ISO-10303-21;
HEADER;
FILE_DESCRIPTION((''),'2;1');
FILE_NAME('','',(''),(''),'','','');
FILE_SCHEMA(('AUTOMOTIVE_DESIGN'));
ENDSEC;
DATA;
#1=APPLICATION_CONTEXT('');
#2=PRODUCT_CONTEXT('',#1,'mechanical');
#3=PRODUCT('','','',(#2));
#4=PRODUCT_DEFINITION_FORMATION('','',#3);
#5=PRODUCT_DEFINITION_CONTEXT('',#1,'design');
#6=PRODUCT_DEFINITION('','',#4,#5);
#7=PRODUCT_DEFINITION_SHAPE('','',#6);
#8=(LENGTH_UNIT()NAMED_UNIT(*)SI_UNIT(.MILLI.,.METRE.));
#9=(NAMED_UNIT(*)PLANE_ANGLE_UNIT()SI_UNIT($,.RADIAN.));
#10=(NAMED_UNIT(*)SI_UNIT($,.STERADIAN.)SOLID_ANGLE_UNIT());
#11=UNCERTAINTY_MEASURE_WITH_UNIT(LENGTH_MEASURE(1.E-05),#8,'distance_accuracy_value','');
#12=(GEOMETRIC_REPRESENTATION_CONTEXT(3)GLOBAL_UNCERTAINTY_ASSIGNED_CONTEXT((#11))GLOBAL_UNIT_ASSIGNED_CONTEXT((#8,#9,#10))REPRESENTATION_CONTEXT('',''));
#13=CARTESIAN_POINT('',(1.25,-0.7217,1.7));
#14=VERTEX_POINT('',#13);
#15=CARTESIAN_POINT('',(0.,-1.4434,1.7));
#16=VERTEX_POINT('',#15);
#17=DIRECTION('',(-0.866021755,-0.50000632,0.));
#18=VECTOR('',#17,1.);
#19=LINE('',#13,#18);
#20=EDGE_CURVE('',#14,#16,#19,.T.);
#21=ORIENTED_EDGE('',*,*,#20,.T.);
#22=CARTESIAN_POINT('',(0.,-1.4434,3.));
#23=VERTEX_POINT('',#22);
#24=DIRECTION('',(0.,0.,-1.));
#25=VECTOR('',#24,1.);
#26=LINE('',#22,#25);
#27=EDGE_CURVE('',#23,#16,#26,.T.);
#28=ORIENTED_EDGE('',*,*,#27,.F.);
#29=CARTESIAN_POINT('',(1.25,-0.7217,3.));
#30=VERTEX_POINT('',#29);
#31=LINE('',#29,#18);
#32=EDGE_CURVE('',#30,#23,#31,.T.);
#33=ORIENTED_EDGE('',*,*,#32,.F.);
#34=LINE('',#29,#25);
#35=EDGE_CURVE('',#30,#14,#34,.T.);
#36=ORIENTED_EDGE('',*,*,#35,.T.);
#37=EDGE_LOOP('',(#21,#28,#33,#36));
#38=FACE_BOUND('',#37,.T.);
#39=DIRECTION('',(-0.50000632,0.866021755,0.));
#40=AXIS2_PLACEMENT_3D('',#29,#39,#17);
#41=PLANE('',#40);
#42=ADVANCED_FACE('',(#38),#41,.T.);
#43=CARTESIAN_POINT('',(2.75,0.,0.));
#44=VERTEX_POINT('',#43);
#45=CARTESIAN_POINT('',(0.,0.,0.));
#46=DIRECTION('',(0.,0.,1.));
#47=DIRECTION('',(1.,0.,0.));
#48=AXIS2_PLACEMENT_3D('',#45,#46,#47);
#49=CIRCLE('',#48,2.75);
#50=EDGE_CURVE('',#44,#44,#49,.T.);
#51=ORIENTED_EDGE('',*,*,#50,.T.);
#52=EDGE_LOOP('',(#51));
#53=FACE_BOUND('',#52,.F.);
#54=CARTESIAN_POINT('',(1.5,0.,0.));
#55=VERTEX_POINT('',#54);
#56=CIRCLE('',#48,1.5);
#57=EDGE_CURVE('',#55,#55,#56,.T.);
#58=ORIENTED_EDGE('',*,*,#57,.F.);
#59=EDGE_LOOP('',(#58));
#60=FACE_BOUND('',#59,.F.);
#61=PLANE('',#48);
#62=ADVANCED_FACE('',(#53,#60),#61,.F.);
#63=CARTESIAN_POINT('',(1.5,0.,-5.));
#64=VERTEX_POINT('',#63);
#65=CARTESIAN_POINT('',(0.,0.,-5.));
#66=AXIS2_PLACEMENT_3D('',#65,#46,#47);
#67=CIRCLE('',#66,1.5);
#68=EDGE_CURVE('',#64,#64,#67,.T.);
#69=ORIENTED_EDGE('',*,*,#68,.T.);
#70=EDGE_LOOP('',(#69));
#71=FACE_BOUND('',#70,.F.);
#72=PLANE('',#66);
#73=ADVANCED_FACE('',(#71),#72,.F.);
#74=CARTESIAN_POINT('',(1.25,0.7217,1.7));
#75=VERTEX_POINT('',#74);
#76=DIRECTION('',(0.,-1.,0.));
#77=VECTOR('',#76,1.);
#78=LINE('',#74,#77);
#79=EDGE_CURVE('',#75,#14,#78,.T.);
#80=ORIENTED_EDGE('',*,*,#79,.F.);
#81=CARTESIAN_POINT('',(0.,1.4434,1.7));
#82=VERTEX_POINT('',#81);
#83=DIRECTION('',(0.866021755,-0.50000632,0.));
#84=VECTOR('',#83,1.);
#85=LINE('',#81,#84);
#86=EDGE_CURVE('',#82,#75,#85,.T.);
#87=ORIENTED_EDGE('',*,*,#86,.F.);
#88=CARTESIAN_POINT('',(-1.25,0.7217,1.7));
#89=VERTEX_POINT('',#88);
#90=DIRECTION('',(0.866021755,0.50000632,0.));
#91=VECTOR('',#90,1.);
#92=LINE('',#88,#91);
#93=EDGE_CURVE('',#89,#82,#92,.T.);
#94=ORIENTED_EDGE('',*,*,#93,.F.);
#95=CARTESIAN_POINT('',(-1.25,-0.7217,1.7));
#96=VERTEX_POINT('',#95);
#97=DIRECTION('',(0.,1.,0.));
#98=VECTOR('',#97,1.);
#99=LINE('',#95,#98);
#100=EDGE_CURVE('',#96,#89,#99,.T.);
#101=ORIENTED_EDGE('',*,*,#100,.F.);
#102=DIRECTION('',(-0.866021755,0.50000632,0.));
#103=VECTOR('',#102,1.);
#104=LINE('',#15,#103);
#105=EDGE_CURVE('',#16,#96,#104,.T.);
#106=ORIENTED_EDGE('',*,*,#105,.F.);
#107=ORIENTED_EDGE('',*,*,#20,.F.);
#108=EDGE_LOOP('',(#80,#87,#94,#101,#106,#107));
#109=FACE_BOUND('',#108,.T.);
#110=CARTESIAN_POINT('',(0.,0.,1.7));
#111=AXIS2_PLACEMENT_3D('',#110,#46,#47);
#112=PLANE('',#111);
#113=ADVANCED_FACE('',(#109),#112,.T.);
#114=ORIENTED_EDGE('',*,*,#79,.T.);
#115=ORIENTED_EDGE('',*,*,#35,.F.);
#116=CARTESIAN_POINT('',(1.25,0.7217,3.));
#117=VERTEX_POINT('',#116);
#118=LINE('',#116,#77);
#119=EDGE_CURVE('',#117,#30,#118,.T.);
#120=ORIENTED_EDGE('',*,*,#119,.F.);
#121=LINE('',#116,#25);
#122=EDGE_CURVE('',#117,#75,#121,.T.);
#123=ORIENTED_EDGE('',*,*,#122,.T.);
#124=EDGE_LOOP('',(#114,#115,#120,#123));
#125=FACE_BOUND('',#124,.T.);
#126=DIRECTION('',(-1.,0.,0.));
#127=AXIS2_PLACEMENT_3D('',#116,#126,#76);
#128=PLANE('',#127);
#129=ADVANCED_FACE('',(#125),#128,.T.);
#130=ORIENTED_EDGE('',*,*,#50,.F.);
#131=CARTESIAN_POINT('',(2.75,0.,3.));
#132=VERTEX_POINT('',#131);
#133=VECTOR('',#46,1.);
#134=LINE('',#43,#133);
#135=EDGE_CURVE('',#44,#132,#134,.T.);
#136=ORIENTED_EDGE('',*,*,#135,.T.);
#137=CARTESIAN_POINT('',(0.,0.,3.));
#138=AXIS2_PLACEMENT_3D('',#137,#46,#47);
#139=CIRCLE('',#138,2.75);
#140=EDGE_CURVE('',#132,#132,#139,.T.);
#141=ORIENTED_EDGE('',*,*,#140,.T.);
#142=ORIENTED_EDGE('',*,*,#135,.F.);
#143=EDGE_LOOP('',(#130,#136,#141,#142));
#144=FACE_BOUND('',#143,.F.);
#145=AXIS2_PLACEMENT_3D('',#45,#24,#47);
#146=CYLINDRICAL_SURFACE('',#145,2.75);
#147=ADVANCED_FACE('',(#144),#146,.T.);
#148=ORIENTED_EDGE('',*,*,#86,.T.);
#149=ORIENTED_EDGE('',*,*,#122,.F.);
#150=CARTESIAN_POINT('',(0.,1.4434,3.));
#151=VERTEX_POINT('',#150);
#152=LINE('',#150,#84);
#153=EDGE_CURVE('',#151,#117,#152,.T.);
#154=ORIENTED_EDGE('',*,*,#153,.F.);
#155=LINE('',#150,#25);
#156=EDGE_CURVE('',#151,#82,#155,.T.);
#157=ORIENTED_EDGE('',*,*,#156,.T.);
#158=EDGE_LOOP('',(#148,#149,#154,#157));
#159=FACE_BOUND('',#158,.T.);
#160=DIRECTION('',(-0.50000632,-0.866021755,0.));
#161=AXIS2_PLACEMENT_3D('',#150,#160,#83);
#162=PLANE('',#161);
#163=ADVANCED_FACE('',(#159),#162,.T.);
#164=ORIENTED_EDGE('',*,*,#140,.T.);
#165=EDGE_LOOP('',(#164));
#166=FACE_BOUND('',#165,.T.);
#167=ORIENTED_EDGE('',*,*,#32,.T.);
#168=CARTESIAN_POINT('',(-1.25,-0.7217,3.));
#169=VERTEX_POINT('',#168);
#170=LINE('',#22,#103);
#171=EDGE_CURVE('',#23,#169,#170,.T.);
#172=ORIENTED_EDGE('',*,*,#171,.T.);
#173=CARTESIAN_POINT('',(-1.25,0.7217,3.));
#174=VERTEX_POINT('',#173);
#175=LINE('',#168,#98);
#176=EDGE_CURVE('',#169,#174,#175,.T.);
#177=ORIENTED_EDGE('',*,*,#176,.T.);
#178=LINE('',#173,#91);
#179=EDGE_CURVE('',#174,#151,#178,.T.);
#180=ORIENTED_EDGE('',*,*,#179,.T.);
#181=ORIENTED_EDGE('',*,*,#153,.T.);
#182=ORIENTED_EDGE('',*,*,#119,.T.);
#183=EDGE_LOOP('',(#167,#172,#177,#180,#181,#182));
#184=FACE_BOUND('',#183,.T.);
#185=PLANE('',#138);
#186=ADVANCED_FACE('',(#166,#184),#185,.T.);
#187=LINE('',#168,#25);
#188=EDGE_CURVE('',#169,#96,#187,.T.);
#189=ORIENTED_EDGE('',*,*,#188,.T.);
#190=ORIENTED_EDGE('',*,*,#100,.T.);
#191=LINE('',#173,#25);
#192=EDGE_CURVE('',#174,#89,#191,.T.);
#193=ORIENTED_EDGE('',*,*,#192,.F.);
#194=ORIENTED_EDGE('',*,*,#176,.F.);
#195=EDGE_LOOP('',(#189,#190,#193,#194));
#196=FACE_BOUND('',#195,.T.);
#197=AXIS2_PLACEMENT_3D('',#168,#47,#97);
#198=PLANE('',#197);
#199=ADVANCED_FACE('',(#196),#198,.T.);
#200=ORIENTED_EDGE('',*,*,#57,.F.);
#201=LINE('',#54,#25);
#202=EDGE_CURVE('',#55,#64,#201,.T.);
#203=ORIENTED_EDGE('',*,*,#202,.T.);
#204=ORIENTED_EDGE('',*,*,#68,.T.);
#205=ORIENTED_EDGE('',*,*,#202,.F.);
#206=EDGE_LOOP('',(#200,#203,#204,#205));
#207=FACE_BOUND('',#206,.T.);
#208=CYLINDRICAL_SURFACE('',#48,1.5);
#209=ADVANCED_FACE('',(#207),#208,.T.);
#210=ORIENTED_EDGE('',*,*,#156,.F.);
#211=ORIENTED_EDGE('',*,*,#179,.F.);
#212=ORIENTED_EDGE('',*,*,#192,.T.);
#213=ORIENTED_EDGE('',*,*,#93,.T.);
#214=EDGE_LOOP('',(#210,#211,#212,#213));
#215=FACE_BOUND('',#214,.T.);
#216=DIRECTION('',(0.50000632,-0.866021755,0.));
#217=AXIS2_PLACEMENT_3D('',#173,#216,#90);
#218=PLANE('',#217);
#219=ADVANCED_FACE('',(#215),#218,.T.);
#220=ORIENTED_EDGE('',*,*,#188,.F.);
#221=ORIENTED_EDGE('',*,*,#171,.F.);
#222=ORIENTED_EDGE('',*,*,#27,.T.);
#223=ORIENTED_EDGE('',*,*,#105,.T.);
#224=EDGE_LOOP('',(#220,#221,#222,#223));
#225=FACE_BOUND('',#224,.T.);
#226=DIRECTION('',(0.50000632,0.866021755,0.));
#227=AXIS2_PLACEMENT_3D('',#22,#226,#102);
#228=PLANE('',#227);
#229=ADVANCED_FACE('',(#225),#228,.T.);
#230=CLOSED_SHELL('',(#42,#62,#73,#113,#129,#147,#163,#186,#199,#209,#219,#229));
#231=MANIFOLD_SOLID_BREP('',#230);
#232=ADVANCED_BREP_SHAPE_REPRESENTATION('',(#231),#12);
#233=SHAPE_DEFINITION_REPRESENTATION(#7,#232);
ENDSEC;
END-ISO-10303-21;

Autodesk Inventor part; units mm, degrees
ref_plane "YZ Plane" through (0, 0, 0) normal (1, 0, 0) x (0, 1, 0)
ref_plane "XZ Plane" through (0, 0, 0) normal (0, 1, 0) x (-1, 0, 0)
ref_plane "XY Plane" through (0, 0, 0) normal (0, 0, 1) x (1, 0, 0)
sketch "スケッチ1" plane through (0, 0, 0) normal (0, 0, 1) x (1, 0, 0)
  circle A0 centre (0, 0) radius 1.5
  dimension "d0" = 3
extrude "押し出し1" add sketch "スケッチ1" against normal blind 5
sketch "スケッチ2" plane through (0, 0, 0) normal (0, 0, 1) x (1, 0, 0)
  circle A0 centre (0, 0) radius 2.75
  dimension "d3" = 5.5
extrude "押し出し2" add sketch "スケッチ2" along normal blind 3
sketch "スケッチ3" plane through (0, 0, 3) normal (0, 0, 1) x (1, 0, 0)
  line L0 (0, 1.4434) -> (1.25, 0.7217)
  line L1 (1.25, 0.7217) -> (1.25, -0.7217)
  line L2 (1.25, -0.7217) -> (0, -1.4434)
  line L3 (0, -1.4434) -> (-1.25, -0.7217)
  line L4 (-1.25, -0.7217) -> (-1.25, 0.7217)
  line L5 (-1.25, 0.7217) -> (0, 1.4434)
  point P0 (0, 0)
  point P1 (0, 0)
  dimension "d6" = 2.5
extrude "押し出し3" cut sketch "スケッチ3" against normal blind 1.3
thread "ねじ1" size "M3x0.5" class "6g" standard "ANSI Metric M Profile" full length
properties part number "M3キャップボルト5" material "鋼、高強度、低合金"
